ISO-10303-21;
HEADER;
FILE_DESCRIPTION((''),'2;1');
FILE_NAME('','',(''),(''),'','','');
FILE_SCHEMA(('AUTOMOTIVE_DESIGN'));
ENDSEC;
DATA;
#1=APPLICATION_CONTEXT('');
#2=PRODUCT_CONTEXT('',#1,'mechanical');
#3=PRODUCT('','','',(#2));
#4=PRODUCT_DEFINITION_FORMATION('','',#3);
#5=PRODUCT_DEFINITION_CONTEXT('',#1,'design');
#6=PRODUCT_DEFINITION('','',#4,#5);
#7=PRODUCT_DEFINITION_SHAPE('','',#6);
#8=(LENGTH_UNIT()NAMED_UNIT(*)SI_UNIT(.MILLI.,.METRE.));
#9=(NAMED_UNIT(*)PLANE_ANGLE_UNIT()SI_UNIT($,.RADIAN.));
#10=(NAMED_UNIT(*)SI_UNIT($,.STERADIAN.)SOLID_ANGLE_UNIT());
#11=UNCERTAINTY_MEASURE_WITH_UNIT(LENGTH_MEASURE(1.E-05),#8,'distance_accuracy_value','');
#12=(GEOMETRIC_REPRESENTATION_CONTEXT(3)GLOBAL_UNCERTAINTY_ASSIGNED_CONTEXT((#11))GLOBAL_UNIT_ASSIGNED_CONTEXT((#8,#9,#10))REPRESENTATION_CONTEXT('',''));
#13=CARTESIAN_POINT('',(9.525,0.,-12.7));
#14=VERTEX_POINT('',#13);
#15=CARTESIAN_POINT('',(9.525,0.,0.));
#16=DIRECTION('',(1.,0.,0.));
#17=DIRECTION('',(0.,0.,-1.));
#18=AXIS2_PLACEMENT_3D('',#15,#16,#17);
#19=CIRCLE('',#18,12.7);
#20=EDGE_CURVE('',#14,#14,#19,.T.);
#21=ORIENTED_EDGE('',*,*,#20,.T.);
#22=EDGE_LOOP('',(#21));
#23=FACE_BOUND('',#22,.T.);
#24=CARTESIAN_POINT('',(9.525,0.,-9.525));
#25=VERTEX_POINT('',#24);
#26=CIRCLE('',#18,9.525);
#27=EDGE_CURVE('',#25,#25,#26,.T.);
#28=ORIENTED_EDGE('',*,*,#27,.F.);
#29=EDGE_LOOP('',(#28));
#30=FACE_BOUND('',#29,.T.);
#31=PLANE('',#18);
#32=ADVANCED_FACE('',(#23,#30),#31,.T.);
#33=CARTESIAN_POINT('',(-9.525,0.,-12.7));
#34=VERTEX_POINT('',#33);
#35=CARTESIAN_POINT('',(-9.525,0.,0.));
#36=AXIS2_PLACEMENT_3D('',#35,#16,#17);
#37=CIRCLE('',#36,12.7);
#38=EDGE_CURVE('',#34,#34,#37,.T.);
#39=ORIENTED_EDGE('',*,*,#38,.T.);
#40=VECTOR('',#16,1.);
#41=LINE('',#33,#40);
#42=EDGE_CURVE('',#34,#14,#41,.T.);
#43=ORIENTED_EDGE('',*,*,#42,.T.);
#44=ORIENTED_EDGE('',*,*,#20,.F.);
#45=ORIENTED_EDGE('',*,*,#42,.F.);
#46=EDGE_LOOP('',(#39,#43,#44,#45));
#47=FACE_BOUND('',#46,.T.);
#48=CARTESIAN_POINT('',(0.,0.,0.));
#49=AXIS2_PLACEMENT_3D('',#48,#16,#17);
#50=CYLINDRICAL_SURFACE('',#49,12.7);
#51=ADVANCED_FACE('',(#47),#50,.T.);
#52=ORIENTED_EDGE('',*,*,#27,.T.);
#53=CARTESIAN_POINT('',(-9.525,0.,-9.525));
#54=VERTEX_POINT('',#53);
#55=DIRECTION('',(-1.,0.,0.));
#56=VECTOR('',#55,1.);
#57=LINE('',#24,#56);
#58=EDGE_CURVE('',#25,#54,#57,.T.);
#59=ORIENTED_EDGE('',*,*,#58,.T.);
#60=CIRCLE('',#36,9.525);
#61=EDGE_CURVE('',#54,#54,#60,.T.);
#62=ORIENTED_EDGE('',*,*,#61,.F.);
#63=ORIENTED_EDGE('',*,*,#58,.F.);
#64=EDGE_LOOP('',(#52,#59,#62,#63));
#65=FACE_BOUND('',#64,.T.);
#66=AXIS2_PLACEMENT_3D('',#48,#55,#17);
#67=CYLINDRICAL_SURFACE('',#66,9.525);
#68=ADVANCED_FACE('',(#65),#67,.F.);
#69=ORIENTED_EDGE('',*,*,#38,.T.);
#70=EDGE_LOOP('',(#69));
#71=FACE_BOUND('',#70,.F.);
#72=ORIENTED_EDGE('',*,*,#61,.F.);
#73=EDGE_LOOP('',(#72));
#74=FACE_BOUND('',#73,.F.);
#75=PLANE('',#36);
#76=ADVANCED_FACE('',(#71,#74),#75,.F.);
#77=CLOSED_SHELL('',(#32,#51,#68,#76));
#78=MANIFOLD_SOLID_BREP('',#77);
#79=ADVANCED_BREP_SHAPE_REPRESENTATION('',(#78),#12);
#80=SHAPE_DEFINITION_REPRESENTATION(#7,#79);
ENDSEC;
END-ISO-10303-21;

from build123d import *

# Parameters (mm, degrees)
CROQUIS1_R              = 12.7
CROQUIS1_R_2            = 9.525
SALIENTE_EXTRUIR1_DEPTH = 9.525


with BuildPart() as part:
    # Croquis1 → Saliente-Extruir1 (new body, symmetric)
    with BuildSketch(Plane(origin=(0, 0, 0), x_dir=(0, 0, -1), z_dir=(1, 0, 0))):
        Circle(CROQUIS1_R)
        Circle(CROQUIS1_R_2, mode=Mode.SUBTRACT)
    extrude(amount=SALIENTE_EXTRUIR1_DEPTH, both=True)


solid = part.part
